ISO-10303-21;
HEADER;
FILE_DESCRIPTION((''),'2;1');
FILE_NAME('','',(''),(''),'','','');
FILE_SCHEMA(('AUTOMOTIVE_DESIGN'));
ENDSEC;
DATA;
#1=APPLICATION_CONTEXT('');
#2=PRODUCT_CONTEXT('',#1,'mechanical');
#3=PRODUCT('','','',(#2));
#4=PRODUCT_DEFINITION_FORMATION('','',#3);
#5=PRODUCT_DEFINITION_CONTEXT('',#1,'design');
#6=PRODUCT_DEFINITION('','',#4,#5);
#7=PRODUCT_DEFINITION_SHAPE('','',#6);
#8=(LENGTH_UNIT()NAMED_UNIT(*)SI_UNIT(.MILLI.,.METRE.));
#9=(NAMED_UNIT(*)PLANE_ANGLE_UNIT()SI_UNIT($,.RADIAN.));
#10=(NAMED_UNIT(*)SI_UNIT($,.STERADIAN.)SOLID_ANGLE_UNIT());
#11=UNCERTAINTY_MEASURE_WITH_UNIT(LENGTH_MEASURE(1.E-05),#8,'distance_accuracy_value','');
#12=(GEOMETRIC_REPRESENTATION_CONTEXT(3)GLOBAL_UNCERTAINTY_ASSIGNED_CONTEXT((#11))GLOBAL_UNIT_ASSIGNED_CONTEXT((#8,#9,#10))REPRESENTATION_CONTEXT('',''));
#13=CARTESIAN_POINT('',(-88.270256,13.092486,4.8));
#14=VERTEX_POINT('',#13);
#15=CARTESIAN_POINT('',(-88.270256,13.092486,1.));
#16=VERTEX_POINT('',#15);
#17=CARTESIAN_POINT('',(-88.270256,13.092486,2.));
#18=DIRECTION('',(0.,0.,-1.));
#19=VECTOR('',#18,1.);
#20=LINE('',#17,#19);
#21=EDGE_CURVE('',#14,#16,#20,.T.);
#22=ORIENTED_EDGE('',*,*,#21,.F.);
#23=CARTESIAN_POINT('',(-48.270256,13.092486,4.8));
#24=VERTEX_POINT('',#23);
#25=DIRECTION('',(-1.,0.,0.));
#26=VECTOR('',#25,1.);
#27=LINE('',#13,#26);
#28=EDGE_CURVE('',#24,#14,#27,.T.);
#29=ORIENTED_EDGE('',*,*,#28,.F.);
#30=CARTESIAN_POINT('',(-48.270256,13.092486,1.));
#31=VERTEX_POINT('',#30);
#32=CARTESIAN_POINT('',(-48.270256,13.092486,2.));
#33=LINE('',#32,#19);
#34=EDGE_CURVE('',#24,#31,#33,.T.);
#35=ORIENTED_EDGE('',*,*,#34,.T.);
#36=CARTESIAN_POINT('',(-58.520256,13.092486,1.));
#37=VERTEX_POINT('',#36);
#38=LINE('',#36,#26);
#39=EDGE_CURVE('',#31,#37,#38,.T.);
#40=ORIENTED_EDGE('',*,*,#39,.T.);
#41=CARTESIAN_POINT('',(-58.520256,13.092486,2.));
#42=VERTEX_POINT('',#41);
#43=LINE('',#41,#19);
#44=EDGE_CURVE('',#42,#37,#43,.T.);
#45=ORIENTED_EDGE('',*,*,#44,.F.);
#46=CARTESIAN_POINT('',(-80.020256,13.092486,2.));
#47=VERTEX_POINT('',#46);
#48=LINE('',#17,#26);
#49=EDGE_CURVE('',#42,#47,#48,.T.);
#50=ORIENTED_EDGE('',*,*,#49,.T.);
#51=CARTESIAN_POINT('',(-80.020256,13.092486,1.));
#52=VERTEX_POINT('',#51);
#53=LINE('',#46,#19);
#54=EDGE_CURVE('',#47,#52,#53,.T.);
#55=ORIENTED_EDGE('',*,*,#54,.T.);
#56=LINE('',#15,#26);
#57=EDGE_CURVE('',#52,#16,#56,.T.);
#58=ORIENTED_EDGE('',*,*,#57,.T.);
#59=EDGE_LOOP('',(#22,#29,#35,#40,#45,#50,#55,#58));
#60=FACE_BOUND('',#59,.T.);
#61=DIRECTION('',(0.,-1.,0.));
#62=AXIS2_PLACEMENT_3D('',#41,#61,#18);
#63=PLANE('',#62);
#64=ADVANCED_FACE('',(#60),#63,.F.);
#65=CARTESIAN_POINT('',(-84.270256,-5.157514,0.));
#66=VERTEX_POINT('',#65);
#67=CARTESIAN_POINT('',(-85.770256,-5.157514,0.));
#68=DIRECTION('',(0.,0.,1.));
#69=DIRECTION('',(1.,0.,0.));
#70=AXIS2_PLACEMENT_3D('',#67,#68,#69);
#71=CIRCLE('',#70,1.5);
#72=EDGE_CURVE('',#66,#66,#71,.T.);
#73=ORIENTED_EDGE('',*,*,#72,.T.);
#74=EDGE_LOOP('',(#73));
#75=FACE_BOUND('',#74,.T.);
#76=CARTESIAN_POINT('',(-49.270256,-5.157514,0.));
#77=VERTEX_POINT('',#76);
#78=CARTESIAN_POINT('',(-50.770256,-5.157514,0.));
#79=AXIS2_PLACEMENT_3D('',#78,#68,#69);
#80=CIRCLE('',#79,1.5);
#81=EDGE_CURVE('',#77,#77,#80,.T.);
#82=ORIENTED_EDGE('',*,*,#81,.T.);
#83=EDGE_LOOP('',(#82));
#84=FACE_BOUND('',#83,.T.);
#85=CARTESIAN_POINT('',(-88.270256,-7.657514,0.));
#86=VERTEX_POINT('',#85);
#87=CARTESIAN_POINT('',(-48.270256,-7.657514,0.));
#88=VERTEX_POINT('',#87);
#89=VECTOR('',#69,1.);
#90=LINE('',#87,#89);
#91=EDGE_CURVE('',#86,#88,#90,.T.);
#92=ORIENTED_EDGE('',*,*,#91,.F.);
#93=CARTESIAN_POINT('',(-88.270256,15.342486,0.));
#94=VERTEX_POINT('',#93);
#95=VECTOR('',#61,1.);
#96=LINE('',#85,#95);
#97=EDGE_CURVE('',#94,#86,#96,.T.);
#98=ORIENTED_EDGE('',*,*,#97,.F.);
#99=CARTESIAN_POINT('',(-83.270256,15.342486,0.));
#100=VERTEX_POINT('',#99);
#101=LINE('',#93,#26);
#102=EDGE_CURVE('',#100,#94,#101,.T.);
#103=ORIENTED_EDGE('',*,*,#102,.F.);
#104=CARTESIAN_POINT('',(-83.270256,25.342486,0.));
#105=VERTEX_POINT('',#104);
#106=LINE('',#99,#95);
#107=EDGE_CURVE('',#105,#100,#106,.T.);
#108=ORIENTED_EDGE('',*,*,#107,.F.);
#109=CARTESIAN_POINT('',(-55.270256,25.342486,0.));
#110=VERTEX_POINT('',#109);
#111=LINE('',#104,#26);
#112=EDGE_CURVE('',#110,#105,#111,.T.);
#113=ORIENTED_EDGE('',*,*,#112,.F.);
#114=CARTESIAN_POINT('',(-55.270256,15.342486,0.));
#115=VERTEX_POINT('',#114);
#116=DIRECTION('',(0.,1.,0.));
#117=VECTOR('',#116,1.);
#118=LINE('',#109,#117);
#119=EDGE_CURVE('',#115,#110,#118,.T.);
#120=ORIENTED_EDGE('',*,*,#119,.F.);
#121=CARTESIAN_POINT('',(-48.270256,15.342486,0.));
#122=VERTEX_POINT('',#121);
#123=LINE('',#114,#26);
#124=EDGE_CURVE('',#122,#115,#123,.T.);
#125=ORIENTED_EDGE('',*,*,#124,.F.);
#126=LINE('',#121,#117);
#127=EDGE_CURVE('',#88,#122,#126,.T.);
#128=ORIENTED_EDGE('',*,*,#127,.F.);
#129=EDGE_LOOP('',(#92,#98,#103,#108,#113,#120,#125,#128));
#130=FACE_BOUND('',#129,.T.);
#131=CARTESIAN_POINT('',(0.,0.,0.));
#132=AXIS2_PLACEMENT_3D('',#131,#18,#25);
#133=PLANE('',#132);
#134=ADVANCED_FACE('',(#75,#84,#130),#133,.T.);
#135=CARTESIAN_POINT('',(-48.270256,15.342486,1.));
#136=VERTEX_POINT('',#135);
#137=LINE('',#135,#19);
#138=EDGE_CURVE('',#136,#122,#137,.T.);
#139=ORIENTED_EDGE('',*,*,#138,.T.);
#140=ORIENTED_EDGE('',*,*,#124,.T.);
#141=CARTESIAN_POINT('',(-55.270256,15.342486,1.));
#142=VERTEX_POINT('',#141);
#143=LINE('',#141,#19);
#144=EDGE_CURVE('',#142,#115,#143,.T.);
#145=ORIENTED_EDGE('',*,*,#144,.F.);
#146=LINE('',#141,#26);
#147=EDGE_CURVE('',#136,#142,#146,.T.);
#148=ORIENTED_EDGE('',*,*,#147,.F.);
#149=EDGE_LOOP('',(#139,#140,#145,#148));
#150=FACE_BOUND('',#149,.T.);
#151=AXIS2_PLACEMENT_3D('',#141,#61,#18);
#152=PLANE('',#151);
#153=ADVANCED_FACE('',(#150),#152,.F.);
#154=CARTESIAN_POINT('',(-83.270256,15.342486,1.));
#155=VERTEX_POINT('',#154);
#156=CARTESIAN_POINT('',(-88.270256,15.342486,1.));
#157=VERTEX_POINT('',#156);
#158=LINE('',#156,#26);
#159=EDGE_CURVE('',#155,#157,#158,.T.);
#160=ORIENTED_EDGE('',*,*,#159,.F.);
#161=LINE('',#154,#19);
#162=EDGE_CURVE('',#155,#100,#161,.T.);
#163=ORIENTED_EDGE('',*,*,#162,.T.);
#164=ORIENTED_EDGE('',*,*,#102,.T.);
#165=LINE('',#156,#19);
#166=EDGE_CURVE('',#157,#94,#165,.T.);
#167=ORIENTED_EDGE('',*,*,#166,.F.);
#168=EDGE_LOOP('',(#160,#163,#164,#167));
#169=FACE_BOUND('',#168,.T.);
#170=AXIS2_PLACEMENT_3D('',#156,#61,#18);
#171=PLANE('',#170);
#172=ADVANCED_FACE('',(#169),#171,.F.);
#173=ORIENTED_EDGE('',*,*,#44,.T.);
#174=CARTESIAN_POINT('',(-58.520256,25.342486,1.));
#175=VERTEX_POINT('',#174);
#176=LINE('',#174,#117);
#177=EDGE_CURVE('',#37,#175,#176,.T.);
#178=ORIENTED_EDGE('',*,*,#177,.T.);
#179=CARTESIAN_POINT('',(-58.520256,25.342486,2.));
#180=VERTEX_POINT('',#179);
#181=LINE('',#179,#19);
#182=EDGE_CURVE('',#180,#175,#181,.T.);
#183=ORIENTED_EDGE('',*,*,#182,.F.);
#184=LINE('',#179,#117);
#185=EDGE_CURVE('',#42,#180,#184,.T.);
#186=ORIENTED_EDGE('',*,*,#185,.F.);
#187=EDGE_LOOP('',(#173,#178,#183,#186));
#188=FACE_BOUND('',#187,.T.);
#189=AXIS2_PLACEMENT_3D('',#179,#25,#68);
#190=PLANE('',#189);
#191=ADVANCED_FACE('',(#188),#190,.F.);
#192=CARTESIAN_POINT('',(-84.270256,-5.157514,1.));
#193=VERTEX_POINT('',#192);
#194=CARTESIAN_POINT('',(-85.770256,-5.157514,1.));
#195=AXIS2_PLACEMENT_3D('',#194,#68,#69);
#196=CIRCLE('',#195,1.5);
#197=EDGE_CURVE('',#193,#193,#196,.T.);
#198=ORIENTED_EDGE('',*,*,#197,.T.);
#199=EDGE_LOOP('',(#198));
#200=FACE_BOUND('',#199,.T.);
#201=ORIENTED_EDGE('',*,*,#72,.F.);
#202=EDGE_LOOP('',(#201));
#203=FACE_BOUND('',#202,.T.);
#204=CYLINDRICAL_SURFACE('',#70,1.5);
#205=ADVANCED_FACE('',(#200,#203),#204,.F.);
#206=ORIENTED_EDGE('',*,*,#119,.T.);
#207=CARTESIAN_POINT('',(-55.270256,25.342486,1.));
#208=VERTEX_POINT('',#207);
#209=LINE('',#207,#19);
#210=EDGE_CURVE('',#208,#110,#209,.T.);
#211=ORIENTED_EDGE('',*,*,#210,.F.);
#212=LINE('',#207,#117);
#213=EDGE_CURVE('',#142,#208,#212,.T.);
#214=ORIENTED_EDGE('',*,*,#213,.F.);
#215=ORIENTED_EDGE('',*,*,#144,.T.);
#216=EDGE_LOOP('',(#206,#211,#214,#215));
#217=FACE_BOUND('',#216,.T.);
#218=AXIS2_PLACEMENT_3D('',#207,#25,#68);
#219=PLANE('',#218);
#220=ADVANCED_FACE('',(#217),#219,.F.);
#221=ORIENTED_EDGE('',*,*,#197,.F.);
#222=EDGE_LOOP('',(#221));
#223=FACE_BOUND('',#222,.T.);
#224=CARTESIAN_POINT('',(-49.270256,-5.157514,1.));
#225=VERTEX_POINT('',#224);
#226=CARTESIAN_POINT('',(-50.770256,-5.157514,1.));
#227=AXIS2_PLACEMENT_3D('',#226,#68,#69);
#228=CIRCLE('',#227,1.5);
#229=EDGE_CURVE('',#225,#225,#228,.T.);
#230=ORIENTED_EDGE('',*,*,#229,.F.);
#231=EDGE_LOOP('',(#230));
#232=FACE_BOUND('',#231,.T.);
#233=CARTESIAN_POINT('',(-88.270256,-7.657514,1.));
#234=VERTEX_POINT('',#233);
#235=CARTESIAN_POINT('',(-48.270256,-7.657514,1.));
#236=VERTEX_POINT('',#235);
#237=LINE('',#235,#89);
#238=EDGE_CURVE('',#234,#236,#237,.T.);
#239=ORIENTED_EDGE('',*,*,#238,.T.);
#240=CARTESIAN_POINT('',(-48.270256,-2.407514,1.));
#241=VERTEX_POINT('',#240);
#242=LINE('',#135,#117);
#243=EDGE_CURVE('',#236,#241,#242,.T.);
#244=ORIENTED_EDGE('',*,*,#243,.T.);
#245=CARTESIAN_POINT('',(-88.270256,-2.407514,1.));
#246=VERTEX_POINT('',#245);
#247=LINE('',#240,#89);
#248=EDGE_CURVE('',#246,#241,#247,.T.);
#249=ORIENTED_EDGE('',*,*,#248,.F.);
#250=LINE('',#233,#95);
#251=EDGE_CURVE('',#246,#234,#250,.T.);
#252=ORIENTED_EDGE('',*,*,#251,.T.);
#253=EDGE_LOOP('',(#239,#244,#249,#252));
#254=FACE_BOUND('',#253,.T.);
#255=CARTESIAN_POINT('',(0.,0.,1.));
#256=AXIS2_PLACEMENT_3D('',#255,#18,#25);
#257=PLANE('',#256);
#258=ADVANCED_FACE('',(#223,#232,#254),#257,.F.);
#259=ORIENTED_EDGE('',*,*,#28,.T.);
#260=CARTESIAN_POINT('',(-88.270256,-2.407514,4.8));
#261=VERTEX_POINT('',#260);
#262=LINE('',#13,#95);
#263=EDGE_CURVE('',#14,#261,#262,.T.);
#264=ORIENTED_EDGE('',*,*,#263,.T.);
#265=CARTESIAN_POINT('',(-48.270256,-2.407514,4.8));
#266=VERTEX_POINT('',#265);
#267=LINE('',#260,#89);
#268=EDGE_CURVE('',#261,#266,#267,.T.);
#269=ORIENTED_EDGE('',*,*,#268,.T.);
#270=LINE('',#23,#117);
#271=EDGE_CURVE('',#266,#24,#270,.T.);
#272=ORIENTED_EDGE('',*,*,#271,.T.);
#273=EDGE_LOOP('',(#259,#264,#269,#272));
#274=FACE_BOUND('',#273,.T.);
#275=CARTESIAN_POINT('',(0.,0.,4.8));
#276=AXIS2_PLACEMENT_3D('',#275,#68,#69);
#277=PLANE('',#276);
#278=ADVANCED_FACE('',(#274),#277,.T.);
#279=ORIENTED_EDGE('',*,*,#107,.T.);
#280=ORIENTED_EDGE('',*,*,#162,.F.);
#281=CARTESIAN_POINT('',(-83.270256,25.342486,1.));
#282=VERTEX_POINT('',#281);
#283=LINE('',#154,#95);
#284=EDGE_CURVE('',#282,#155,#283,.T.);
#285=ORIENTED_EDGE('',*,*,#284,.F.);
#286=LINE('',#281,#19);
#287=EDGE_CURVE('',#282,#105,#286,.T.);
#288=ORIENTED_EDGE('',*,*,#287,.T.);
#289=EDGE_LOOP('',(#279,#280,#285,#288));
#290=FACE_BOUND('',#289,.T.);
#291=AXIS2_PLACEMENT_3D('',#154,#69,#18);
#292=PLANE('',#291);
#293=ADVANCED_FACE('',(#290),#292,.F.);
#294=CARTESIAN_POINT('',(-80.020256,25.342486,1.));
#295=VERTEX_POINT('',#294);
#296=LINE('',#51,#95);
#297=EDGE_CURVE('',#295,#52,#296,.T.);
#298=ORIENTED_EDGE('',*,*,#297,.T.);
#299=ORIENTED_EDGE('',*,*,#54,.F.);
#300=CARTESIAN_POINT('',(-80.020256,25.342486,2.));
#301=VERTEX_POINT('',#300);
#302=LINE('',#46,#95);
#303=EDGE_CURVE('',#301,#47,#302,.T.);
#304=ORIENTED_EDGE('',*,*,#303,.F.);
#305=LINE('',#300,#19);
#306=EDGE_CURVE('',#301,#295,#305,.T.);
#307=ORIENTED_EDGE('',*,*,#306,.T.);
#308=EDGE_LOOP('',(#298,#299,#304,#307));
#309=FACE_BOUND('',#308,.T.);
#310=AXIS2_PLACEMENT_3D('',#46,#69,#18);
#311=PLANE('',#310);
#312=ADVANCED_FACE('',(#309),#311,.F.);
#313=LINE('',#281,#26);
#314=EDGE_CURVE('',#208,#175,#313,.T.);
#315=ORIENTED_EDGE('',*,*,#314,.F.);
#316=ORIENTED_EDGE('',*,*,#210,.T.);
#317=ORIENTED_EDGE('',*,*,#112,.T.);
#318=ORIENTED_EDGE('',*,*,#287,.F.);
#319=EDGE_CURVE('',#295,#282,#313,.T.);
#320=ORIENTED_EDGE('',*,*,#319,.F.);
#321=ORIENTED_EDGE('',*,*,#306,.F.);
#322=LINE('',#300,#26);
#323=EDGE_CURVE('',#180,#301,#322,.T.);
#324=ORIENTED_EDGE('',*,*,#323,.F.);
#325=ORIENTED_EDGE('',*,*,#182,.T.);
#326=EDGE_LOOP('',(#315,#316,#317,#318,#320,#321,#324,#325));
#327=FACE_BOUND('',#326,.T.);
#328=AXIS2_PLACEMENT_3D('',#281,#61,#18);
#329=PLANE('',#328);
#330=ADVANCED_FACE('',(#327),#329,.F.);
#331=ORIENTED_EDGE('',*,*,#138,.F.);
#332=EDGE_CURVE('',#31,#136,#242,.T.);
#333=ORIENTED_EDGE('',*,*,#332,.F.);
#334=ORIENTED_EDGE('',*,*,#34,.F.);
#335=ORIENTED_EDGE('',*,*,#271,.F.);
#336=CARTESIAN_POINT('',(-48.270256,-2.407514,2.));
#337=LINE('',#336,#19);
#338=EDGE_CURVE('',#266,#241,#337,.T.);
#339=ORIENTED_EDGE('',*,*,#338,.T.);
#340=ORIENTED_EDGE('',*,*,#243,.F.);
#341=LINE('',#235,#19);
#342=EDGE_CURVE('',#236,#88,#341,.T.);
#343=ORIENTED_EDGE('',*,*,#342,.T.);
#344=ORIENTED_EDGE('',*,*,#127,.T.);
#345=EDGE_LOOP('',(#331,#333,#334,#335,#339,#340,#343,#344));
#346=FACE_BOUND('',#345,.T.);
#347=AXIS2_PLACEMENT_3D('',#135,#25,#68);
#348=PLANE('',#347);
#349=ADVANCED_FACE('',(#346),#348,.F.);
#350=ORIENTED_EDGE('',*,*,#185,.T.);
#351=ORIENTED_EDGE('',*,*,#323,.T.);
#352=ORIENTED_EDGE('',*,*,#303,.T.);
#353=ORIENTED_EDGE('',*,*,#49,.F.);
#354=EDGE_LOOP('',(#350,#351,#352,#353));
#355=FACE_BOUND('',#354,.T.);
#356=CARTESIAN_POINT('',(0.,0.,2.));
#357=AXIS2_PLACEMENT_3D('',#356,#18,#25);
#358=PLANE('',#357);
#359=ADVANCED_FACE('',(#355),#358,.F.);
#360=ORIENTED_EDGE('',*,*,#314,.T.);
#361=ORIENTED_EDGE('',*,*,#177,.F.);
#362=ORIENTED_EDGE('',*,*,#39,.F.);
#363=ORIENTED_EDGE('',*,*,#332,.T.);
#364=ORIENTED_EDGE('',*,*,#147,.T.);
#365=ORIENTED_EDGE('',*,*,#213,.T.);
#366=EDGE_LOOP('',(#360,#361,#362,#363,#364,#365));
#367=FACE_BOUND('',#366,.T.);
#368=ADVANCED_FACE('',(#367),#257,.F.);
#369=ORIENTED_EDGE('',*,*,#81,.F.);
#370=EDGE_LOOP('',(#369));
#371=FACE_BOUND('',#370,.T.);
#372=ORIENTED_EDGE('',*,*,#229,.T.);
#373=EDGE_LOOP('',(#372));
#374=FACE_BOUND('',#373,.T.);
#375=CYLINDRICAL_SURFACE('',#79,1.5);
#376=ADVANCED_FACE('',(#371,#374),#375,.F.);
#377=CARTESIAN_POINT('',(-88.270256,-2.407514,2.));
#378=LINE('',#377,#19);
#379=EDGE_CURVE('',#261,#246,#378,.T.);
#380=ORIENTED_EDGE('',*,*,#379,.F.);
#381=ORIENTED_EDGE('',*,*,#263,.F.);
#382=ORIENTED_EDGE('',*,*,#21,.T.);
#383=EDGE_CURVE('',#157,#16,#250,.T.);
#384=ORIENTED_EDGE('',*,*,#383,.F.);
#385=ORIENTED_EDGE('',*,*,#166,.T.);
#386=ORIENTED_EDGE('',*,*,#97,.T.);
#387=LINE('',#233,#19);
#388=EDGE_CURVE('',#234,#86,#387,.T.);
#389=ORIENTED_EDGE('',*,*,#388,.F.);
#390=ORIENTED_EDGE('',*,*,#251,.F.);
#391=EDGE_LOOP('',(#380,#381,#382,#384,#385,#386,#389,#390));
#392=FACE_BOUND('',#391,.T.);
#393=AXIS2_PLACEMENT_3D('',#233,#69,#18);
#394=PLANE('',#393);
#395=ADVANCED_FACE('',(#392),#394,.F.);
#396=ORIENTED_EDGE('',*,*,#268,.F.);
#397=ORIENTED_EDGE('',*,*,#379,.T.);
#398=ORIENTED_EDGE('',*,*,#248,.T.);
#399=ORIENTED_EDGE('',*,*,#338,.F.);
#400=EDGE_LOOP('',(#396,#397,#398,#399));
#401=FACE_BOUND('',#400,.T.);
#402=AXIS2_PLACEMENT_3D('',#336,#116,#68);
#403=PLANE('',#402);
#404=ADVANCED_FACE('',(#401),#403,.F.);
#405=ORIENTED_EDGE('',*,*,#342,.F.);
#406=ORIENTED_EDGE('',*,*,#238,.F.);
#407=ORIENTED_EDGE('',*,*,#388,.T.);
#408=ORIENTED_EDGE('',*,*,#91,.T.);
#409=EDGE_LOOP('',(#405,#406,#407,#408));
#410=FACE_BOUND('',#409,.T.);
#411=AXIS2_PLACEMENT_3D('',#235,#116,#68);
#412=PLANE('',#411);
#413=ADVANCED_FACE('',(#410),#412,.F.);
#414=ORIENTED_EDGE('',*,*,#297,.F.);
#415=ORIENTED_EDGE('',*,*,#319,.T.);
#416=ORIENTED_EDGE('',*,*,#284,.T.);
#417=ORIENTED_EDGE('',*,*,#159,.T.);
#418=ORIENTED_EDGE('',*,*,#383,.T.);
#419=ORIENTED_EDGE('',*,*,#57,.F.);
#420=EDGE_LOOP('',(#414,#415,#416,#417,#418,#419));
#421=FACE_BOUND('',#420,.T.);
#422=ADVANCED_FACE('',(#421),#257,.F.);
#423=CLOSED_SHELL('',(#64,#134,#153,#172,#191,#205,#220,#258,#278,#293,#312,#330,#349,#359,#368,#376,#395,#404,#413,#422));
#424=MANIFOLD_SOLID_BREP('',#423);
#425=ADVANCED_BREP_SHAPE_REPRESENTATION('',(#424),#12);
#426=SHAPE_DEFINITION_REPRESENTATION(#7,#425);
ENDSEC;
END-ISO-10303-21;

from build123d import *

# Parameters (mm, degrees)
SALIENTE_EXTRUIR1_DEPTH = 1
SALIENTE_EXTRUIR2_DEPTH = 1
CROQUIS3_W              = 40
CROQUIS3_H              = 15.5
SALIENTE_EXTRUIR3_DEPTH = 2.8
CROQUIS4_R              = 1.5
CORTAR_EXTRUIR1_DEPTH   = 1


with BuildPart() as part:
    # Croquis1 → Saliente-Extruir1 (new body)
    with BuildSketch(Plane.XY):
        Polygon((-88.270256069, -7.657514328), (-88.270256069, 15.342485672), (-83.270256069, 15.342485672), (-83.270256069, 25.342485672), (-55.270256069, 25.342485672), (-55.270256069, 15.342485672), (-48.270256069, 15.342485672), (-48.270256069, -7.657514328), align=None)
    extrude(amount=SALIENTE_EXTRUIR1_DEPTH)

    # Croquis2 → Saliente-Extruir2 (add)
    with BuildSketch(Plane.XY.offset(1)):
        Polygon((-88.270256069, -2.407514328), (-88.270256069, 13.092485672), (-80.020256069, 13.092485672), (-80.020256069, 25.342485672), (-58.520256069, 25.342485672), (-58.520256069, 13.092485672), (-48.270256069, 13.092485672), (-48.270256069, -2.407514328), align=None)
    extrude(amount=SALIENTE_EXTRUIR2_DEPTH)

    # Croquis3 → Saliente-Extruir3 (add)
    with BuildSketch(Plane.XY.offset(2)):
        with Locations((-68.270256069, 5.342485672)):
            Rectangle(CROQUIS3_W, CROQUIS3_H)
    extrude(amount=SALIENTE_EXTRUIR3_DEPTH)

    # Croquis4 → Cortar-Extruir1 (cut)
    with BuildSketch(Plane.XY.offset(1)):
        with Locations((-85.770256069, -5.157514328)):
            Circle(CROQUIS4_R)
        with Locations((-50.770256069, -5.157514328)):
            Circle(CROQUIS4_R)
    extrude(amount=-CORTAR_EXTRUIR1_DEPTH, mode=Mode.SUBTRACT)


solid = part.part
